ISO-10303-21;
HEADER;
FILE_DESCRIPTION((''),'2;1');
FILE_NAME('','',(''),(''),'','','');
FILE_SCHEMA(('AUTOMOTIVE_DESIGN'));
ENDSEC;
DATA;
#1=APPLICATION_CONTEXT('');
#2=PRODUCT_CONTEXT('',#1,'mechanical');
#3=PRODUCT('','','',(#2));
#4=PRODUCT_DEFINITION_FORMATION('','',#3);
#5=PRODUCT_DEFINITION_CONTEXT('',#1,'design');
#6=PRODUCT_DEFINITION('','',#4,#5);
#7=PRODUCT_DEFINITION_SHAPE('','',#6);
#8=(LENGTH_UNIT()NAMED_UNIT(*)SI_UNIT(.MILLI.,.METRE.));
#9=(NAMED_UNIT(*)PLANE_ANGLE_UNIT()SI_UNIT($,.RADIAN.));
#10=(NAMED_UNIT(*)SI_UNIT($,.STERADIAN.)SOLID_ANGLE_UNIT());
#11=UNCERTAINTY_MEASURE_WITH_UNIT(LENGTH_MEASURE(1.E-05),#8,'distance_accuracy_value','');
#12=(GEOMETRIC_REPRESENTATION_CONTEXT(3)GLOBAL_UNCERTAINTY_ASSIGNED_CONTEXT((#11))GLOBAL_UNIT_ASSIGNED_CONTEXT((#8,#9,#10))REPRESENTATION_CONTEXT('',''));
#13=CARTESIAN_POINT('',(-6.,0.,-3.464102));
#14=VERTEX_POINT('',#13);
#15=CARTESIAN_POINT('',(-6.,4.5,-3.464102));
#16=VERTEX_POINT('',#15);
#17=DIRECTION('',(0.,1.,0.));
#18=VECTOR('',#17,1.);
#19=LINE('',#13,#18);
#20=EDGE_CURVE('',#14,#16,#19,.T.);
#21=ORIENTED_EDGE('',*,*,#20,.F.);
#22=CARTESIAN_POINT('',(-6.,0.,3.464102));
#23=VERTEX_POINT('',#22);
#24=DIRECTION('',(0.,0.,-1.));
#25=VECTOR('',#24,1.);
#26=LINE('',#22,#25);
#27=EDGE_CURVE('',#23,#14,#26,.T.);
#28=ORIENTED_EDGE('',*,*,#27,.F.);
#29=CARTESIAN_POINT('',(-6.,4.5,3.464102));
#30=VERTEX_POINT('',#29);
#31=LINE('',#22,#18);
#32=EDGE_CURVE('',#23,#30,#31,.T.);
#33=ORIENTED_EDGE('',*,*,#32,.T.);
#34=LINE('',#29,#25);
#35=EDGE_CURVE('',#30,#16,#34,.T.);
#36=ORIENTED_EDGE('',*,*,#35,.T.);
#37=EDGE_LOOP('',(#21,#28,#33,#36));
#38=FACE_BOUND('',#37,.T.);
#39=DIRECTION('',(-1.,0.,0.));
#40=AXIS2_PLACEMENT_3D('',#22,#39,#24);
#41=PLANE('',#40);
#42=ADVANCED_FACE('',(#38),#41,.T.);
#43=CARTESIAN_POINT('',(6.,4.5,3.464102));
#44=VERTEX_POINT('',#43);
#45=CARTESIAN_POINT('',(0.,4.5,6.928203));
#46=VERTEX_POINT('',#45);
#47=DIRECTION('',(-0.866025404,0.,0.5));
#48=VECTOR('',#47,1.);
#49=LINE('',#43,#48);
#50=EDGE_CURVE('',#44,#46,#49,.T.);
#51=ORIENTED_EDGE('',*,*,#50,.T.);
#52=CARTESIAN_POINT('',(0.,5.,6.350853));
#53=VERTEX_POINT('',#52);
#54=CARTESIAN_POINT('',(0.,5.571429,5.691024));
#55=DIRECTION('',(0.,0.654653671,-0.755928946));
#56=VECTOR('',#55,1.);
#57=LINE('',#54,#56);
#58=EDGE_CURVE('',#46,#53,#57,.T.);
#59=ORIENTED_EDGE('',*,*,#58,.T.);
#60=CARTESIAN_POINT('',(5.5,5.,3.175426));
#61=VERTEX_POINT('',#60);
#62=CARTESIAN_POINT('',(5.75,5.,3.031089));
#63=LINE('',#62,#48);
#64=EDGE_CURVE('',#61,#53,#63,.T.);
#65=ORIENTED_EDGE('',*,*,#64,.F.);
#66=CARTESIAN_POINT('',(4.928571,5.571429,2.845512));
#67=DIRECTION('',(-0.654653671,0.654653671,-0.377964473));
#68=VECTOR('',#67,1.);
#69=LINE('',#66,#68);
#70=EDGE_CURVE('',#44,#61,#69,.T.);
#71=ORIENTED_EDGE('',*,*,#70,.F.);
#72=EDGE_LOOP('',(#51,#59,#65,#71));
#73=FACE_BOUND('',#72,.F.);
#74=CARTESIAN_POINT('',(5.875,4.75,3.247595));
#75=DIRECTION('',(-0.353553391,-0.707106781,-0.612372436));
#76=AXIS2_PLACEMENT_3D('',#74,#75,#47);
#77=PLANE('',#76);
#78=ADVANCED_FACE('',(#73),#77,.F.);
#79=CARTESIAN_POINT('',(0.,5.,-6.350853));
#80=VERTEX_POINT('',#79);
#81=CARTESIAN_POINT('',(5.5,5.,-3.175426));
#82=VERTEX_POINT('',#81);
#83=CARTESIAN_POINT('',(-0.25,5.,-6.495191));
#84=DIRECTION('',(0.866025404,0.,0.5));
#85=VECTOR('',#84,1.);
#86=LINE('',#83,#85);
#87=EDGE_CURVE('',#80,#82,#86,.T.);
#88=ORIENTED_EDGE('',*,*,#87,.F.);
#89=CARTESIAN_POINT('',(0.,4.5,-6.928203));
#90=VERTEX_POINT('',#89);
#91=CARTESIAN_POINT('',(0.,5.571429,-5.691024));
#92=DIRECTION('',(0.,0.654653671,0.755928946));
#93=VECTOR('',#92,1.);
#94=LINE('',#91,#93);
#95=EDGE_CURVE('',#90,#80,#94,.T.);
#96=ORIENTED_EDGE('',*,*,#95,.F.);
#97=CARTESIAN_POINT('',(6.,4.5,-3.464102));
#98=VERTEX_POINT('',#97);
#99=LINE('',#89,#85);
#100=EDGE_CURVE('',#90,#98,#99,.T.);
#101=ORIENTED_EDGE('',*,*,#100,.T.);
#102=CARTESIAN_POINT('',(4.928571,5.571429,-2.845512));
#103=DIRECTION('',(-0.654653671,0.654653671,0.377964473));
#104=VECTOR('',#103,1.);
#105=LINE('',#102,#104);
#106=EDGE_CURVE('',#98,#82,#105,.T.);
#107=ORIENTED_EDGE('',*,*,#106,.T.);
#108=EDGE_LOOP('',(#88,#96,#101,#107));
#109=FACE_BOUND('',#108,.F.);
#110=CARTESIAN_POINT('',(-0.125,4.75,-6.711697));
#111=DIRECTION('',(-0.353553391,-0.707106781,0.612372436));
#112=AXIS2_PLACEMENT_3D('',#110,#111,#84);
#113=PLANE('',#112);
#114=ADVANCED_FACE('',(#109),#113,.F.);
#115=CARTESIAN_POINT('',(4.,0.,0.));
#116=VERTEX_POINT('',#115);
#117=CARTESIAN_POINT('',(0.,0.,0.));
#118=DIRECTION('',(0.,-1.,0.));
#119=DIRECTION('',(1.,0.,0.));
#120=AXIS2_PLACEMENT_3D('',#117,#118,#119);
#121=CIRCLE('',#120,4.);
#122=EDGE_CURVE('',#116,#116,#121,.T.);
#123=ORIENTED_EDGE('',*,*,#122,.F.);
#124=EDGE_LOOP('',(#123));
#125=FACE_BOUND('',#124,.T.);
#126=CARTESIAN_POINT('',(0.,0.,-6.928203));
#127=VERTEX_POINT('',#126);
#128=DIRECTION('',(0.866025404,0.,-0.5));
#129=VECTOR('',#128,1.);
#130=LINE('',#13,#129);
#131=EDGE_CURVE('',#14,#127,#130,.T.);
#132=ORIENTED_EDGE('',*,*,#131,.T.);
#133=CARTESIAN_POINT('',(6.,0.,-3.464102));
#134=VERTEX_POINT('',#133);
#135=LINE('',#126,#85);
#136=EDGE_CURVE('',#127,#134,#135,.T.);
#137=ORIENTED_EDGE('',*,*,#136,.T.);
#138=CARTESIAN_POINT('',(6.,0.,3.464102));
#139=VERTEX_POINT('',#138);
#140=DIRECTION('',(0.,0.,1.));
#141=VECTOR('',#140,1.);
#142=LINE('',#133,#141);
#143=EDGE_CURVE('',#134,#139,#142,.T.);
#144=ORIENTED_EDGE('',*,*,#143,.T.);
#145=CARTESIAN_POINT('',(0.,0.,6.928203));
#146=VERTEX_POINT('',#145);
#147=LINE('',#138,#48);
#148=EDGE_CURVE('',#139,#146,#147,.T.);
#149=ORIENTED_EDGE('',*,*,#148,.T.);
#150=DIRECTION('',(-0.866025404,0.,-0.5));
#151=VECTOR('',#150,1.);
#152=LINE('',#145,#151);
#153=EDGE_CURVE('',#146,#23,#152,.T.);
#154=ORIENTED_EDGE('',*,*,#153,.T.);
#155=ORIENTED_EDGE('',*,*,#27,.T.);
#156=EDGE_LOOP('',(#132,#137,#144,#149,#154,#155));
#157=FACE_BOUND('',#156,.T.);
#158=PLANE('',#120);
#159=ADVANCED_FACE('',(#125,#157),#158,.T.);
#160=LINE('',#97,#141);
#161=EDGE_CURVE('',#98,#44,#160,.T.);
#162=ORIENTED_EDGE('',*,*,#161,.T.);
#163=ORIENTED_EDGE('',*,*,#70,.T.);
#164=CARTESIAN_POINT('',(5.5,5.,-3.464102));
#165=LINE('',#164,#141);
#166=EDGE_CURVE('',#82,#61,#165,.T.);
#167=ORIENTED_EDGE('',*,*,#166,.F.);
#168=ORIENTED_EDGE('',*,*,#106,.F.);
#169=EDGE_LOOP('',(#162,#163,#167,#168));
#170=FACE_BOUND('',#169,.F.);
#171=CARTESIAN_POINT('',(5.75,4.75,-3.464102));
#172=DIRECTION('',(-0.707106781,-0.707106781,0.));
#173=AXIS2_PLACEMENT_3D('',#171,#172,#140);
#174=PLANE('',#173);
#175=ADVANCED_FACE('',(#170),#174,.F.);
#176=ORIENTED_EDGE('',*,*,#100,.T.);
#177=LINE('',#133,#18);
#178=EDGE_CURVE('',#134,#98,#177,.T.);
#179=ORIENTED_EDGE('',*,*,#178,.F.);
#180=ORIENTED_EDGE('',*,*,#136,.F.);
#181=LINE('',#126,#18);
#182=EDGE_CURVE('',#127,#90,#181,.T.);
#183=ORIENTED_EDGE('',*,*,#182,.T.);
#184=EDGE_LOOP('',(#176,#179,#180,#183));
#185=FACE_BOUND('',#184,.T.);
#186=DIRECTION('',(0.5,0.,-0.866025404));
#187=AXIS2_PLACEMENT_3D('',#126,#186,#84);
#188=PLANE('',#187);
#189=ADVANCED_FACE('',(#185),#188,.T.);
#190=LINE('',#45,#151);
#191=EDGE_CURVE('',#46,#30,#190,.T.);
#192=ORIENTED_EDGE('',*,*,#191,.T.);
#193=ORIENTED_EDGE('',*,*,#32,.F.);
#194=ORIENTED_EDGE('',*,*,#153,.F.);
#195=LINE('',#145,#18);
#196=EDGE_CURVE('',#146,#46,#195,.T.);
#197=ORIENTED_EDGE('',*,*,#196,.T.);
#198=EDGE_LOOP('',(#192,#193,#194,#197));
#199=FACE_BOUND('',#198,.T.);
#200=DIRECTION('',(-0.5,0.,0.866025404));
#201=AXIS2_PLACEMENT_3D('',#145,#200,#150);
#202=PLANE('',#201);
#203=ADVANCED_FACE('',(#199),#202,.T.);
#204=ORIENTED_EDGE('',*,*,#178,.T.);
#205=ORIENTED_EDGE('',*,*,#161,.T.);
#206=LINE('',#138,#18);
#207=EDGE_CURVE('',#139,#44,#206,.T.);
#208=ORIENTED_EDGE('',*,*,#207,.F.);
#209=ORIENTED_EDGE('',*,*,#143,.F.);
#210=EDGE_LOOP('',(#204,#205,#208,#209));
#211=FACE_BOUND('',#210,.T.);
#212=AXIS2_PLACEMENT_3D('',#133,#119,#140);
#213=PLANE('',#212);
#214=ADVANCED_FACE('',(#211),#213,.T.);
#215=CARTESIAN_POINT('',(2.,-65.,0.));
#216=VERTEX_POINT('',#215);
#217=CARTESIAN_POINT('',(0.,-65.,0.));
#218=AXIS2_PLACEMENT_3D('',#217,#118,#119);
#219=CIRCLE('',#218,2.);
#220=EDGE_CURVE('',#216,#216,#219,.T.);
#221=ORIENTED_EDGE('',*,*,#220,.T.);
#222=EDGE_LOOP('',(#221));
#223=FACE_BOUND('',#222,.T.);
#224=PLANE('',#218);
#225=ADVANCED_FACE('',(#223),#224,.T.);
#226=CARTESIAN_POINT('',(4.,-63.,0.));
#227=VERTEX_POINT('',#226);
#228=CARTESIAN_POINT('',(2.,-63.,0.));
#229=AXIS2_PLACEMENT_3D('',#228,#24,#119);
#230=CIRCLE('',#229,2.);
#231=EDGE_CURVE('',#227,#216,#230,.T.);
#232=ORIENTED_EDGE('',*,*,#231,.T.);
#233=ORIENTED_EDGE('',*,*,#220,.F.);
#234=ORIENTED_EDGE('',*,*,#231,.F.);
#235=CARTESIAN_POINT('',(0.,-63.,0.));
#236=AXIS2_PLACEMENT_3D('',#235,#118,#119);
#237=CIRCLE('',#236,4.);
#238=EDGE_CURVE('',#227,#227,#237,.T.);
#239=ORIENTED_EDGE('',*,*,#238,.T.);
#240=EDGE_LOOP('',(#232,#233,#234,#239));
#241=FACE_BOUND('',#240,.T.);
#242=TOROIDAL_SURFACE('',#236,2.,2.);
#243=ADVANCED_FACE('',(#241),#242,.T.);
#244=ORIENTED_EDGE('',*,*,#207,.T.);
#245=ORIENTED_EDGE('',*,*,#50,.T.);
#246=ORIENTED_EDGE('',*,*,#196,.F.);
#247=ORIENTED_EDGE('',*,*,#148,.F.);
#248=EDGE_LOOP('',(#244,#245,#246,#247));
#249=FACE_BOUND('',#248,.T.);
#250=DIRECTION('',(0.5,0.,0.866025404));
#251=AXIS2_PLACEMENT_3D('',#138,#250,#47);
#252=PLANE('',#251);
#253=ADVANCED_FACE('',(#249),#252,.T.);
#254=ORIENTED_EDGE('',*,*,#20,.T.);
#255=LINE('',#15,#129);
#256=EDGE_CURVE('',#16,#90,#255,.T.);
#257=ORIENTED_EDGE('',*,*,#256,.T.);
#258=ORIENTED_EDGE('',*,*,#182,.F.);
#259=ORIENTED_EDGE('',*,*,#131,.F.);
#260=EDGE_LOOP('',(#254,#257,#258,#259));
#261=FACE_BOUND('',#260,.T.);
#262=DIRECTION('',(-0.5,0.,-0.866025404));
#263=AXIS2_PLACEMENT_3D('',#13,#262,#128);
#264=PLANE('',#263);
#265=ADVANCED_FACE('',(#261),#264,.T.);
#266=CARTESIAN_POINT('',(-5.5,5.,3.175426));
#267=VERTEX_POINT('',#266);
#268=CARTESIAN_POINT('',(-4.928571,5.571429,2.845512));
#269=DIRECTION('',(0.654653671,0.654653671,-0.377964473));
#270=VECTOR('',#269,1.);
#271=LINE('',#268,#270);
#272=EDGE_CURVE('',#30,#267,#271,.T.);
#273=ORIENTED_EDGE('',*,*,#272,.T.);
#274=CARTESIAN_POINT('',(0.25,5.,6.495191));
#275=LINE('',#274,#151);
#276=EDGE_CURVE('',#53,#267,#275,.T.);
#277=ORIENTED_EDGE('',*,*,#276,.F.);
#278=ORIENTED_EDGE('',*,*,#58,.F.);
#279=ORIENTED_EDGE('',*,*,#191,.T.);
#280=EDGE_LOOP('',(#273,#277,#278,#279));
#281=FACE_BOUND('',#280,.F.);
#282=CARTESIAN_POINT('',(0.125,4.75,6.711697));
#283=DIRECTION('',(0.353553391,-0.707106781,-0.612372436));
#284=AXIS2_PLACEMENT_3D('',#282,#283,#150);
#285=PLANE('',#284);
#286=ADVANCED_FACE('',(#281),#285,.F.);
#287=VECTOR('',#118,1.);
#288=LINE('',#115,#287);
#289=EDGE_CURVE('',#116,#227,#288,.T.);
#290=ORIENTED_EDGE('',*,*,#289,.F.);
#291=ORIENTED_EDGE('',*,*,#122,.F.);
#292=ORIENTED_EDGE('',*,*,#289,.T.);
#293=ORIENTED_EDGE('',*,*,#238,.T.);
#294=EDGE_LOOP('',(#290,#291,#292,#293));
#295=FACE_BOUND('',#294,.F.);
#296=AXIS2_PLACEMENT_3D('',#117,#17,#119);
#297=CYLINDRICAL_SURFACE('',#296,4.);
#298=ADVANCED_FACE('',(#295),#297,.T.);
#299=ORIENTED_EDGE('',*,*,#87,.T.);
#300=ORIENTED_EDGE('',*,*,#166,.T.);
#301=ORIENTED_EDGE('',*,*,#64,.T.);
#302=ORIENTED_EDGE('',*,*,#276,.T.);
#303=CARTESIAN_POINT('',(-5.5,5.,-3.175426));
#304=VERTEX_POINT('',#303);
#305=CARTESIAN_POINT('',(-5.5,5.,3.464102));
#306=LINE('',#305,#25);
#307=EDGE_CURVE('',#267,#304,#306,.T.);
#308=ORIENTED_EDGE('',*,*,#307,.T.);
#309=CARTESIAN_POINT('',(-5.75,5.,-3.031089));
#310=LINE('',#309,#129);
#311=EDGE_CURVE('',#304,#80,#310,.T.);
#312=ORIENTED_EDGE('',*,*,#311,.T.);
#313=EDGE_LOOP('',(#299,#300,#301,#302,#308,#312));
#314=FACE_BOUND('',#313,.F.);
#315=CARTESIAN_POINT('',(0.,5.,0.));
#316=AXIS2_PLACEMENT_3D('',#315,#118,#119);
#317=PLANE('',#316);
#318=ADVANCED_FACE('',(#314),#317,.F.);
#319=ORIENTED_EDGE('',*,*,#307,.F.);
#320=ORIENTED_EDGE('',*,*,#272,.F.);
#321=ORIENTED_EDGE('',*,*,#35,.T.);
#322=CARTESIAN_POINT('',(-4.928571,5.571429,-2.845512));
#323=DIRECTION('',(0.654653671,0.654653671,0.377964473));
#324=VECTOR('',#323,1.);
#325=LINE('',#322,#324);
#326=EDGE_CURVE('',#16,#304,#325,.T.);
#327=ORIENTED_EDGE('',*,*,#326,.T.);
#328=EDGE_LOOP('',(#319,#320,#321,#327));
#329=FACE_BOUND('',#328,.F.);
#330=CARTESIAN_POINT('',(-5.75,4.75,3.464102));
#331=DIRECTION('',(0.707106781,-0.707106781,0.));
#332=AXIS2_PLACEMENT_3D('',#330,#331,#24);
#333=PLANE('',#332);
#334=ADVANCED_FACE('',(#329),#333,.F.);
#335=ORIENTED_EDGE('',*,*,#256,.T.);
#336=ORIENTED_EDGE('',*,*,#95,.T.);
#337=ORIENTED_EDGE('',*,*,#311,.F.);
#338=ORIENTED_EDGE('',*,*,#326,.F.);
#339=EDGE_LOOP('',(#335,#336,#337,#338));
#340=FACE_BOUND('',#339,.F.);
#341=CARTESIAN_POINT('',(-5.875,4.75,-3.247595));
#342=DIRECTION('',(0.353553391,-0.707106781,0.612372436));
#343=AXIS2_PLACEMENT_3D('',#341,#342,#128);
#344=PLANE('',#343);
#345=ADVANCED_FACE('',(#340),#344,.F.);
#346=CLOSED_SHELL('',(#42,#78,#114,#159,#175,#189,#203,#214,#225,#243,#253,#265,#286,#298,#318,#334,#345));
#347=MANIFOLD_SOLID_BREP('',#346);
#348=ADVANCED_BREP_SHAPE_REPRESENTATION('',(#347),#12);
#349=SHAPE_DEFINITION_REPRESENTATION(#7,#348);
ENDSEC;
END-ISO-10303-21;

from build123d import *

# Parameters (mm, degrees)
F1_DEPTH = 5
F2_SIZE  = 0.5
F3_R     = 4
F4_DEPTH = 65
F5_R     = 2


with BuildPart() as f1:
    # F0 (on Front) → F1 (new body)
    with BuildSketch(Plane.XZ):
        Polygon((0, 6.9282032303), (-6, 3.4641016151), (-6, 0), (-6, -3.4641016151), (0, -6.9282032303), (3, -5.1961524227), (6, -3.4641016151), (6, 0), (6, 3.4641016151), (3, 5.1961524227), align=None)
    extrude(amount=-F1_DEPTH)

    # F2
    f2_edges = [f1.edges().sort_by_distance(p)[0] for p in [
        (-3, 5, 5.196152),
        (-6, 5, 0),
        (-3, 5, -5.196152),
        (3, 5, -5.196152),
        (6, 5, 0),
        (3, 5, 5.196152),
    ]]
    chamfer(f2_edges, length=F2_SIZE)

    # F3 (on face) → F4 (join)
    with BuildSketch(Plane.XZ):
        Circle(F3_R)
    extrude(amount=F4_DEPTH)

    # F5
    f5_edges = [f1.edges().sort_by_distance(p)[0] for p in [
        (-4, -65, 0),
    ]]
    fillet(f5_edges, radius=F5_R)


solid = f1.part
